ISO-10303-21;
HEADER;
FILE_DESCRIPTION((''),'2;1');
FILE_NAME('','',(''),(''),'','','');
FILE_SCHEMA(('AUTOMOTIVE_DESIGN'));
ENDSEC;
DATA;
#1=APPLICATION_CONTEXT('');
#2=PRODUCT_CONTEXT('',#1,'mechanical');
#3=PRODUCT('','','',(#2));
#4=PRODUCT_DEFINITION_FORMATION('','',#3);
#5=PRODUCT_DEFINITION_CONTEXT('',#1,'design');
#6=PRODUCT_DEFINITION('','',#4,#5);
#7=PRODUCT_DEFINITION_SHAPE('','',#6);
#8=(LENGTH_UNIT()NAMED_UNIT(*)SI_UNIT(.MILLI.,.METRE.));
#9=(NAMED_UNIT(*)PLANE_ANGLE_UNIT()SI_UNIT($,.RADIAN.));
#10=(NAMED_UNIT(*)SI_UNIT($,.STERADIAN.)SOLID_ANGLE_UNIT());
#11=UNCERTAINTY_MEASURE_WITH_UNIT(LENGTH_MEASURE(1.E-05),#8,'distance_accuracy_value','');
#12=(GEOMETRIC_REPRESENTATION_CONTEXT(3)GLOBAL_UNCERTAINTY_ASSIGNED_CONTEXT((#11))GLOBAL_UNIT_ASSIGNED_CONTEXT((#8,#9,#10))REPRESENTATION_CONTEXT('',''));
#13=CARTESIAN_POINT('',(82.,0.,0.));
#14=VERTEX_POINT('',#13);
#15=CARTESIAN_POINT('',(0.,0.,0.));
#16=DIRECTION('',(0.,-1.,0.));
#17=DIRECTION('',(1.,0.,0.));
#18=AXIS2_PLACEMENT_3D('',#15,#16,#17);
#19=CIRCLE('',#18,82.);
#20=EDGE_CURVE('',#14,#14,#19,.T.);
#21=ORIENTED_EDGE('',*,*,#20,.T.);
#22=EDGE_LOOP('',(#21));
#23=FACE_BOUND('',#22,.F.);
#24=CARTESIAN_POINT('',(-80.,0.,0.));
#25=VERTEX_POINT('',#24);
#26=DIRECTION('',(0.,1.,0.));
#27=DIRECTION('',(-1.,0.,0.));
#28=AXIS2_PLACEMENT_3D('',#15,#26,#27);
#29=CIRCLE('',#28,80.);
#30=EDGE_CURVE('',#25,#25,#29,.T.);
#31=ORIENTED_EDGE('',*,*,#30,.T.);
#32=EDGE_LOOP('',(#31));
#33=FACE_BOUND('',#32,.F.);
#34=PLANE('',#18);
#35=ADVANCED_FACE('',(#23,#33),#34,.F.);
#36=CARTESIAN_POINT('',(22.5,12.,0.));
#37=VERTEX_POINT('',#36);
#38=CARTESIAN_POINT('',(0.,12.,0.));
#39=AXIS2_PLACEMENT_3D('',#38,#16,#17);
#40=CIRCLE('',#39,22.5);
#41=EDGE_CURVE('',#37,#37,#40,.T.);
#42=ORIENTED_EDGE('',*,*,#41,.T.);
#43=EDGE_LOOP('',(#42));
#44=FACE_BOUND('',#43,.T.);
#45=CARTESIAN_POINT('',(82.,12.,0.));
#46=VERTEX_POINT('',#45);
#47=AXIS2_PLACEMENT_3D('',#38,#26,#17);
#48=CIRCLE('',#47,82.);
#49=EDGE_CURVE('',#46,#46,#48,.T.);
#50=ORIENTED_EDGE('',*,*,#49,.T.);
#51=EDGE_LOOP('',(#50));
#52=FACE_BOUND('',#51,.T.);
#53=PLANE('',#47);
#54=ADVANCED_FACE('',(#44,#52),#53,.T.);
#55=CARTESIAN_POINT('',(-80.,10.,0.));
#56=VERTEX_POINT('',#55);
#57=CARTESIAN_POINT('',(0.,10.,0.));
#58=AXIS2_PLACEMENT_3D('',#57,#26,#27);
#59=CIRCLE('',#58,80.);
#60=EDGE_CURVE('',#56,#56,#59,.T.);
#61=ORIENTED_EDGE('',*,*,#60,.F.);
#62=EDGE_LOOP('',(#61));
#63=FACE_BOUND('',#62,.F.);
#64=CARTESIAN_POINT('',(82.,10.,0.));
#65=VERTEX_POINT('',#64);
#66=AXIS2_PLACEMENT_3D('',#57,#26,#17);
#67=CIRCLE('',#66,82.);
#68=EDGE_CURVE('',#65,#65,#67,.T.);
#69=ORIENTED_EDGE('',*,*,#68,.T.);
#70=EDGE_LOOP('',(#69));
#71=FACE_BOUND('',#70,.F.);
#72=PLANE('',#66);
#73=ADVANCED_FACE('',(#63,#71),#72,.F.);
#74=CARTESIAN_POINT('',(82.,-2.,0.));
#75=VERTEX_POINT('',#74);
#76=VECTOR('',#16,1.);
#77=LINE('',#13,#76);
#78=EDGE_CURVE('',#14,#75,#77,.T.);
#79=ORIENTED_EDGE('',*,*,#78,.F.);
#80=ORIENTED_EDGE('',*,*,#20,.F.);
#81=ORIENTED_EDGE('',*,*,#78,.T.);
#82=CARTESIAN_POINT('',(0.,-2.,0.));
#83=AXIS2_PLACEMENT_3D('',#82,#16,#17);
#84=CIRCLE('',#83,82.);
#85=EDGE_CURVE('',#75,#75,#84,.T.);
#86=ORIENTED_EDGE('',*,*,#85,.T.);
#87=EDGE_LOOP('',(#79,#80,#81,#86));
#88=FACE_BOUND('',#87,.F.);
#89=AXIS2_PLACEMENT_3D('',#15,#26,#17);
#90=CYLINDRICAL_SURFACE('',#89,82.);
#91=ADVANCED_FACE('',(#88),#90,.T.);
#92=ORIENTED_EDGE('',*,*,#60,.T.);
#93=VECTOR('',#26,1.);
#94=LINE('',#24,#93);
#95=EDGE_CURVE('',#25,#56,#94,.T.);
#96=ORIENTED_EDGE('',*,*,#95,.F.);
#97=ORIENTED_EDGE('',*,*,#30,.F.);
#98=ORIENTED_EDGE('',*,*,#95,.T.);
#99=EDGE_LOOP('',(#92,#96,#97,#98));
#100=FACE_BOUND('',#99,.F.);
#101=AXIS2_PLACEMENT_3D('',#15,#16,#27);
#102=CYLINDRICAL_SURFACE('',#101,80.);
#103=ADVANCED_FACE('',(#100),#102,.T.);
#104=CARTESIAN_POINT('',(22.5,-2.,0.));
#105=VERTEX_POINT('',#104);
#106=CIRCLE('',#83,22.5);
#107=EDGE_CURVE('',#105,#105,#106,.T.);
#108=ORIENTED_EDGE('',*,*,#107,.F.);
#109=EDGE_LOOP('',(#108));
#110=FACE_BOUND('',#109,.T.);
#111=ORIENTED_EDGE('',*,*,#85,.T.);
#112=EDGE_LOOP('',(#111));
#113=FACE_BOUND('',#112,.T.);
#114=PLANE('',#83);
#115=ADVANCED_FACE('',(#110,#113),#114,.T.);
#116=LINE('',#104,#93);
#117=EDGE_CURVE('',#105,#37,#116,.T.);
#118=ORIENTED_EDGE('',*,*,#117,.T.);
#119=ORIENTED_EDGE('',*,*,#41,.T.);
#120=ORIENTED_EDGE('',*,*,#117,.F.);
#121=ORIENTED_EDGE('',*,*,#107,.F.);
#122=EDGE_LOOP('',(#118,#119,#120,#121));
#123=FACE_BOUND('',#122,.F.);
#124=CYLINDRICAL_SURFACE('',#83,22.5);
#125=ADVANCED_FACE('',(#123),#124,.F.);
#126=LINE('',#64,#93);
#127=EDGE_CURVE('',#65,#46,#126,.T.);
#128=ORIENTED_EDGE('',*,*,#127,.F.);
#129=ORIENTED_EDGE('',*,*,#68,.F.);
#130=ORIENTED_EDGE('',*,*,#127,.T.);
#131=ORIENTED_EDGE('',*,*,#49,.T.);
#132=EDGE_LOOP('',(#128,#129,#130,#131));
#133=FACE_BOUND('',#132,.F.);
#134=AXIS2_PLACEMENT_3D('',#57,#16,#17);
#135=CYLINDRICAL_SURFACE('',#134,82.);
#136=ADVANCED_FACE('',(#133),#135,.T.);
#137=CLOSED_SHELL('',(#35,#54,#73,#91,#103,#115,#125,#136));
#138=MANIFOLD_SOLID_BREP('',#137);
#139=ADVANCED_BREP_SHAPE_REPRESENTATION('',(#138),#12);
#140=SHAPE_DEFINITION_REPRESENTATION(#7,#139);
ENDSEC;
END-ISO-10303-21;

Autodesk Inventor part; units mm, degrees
ref_plane "YZ Plane" through (0, 0, 0) normal (1, 0, 0) x (0, 1, 0)
ref_plane "XZ Plane" through (0, 0, 0) normal (0, 1, 0) x (-1, 0, 0)
ref_plane "XY Plane" through (0, 0, 0) normal (0, 0, 1) x (1, 0, 0)
sketch "Skizze1" plane through (0, 0, 0) normal (0, 1, 0) x (-1, 0, 0)
  circle A0 centre (0, 0) radius 80
  dimension "d0" = 160
extrude "Extrusion1" add sketch "Skizze1" along normal blind 10
sketch "Skizze2" plane through (0, 10, 0) normal (0, 1, 0) x (1, 0, 0)
  circle A0 centre (0, 0) radius 82
  dimension "d3" = 164
extrude "Extrusion2" add sketch "Skizze2" along normal blind 2
sketch "Skizze3" plane through (0, 0, 0) normal (0, -1, 0) x (1, 0, 0)
  circle A0 centre (0, 0) radius 82
  dimension "d6" = 164
extrude "Extrusion3" add sketch "Skizze3" along normal blind 2
sketch "Skizze4" plane through (0, -2, 0) normal (0, -1, 0) x (1, 0, 0)
  circle A0 centre (0, 0) radius 22.5
  dimension "d9" = 45
extrude "Extrusion4" cut sketch "Skizze4" against normal blind 14
properties part number "Antriebsscheibe"
